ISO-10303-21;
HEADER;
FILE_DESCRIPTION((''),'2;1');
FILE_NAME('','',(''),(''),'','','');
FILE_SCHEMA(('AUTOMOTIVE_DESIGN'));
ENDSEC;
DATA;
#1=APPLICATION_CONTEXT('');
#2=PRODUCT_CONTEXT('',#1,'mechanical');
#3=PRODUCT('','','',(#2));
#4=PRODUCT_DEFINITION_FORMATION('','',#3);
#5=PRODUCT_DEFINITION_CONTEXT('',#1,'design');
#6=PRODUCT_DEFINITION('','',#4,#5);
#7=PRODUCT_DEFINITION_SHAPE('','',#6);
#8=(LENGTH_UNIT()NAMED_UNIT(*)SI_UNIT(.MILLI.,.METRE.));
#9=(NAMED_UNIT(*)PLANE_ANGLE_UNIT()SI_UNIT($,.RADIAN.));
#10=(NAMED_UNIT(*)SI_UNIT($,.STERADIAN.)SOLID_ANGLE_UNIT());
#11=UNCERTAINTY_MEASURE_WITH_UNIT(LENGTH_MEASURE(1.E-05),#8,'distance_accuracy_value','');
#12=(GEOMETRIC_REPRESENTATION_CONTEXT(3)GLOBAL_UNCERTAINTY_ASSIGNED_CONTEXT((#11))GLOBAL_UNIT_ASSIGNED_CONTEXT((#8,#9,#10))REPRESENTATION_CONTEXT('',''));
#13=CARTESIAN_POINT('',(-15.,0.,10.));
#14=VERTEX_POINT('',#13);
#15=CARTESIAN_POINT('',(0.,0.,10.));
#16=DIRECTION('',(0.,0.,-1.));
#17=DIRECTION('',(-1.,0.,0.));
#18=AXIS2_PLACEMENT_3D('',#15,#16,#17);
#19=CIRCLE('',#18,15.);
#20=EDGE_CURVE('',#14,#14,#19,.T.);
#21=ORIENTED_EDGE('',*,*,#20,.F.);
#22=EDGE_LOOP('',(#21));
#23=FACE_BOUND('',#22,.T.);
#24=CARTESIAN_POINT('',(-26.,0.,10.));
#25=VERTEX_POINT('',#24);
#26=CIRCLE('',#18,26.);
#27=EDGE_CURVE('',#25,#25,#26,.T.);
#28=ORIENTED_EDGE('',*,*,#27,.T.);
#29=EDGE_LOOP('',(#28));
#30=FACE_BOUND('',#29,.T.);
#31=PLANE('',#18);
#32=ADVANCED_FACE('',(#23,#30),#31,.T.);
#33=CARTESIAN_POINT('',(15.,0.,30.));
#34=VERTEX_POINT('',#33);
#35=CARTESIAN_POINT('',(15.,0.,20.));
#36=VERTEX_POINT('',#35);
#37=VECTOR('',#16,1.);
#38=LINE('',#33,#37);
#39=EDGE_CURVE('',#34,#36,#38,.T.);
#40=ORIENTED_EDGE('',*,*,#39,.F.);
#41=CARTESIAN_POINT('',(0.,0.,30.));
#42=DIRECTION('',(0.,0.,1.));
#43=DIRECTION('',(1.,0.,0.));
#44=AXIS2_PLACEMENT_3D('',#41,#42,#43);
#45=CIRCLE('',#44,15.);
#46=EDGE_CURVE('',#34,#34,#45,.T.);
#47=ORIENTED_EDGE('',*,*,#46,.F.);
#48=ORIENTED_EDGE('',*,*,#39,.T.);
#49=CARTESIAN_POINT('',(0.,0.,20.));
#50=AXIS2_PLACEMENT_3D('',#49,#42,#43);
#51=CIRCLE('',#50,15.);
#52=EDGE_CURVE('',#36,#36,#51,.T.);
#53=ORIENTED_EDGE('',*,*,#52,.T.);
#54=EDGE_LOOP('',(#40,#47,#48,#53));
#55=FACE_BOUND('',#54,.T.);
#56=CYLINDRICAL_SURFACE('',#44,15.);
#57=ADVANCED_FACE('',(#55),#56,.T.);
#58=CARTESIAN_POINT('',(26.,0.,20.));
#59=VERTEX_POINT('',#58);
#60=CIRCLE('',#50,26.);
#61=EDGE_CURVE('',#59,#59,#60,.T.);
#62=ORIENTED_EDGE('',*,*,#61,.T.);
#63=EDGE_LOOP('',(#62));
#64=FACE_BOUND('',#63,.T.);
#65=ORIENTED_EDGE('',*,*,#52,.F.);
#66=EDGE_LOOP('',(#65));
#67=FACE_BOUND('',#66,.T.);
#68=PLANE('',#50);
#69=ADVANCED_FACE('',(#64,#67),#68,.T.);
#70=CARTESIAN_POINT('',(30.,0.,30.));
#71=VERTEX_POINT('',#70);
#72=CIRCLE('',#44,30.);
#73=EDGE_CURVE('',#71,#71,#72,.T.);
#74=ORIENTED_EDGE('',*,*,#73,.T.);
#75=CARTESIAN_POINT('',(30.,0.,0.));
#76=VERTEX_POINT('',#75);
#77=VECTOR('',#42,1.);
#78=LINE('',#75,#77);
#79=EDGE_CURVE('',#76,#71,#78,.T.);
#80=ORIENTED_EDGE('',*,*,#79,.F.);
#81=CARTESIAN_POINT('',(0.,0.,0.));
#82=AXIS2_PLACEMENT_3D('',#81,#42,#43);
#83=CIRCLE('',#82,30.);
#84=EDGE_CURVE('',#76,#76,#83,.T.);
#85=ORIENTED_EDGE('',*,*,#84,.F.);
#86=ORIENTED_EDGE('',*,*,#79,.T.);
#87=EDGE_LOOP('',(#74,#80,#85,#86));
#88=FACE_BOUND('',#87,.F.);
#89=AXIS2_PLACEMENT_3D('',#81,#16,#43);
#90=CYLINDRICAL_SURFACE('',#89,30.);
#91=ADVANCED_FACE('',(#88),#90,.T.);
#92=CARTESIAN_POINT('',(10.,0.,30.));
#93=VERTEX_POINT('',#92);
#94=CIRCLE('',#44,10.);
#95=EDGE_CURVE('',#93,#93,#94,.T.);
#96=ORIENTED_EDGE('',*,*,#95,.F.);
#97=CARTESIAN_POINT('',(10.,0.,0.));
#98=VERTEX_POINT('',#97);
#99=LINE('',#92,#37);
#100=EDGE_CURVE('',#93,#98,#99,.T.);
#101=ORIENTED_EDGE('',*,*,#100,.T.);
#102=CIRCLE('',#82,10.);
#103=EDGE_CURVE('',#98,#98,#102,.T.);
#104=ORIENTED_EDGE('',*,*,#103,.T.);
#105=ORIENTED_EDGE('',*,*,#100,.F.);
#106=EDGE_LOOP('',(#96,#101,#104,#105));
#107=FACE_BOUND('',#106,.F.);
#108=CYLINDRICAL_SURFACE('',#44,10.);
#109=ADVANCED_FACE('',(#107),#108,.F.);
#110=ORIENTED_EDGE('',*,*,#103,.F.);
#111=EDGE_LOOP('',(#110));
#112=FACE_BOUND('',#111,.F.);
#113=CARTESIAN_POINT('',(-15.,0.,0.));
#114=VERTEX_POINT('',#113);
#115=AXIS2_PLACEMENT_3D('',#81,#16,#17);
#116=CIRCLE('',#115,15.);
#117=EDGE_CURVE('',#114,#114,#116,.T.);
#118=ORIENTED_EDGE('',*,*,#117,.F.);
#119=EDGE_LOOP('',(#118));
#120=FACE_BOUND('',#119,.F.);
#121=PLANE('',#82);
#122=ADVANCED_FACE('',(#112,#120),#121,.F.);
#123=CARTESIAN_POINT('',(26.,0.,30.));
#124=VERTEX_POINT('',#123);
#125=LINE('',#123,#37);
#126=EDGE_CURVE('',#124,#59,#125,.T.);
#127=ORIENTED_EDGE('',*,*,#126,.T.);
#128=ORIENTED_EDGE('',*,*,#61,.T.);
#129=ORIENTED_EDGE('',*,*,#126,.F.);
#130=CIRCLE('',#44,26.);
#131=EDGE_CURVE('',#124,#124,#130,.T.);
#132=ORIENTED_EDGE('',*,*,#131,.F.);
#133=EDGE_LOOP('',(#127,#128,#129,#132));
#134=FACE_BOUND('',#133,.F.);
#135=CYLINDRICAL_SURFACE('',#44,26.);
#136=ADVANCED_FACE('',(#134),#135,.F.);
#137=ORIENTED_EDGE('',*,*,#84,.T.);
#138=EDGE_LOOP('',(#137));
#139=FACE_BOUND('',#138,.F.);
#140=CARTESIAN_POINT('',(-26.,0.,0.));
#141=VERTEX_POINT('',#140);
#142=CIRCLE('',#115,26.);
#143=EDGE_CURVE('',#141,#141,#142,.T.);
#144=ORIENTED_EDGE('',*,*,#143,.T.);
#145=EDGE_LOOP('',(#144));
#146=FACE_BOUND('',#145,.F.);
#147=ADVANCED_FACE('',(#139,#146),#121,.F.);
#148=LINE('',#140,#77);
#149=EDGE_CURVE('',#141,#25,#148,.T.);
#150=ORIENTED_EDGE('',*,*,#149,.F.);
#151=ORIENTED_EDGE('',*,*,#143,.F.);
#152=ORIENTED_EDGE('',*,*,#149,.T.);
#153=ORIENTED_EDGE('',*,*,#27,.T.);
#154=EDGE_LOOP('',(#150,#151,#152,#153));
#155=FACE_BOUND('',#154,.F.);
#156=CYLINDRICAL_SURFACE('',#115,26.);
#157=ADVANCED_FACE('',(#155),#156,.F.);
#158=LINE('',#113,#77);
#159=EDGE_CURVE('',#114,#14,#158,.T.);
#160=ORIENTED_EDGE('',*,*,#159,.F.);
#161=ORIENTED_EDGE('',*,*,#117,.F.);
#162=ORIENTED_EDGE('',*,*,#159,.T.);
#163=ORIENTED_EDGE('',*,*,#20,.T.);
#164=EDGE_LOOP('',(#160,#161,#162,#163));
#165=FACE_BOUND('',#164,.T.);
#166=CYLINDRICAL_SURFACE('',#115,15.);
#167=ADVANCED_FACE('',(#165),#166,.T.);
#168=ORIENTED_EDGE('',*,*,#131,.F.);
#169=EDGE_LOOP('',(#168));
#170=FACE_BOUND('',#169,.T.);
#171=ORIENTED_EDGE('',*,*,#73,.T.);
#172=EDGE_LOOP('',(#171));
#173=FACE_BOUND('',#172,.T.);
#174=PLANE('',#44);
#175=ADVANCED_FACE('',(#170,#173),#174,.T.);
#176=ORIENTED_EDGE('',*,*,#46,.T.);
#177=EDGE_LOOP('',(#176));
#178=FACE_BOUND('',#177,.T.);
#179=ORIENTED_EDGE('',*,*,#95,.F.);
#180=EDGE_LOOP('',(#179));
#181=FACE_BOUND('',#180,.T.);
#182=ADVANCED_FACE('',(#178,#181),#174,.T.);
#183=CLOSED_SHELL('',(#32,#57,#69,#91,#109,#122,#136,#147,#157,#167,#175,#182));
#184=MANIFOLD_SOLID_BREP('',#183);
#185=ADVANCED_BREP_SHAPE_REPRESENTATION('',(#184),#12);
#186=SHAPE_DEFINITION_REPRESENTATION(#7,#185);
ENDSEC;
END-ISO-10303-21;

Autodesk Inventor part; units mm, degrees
ref_plane "YZ Plane" through (0, 0, 0) normal (1, 0, 0) x (0, 1, 0)
ref_plane "XZ Plane" through (0, 0, 0) normal (0, 1, 0) x (-1, 0, 0)
ref_plane "XY Plane" through (0, 0, 0) normal (0, 0, 1) x (1, 0, 0)
sketch "Sketch1" plane through (0, 0, 0) normal (0, 0, 1) x (1, 0, 0)
  circle A0 centre (0, 0) radius 30
  dimension "d0" = 60
extrude "Extrusion1" add sketch "Sketch1" along normal blind 30
sketch "Sketch2" plane through (0, 0, 30) normal (0, 0, 1) x (1, 0, 0)
  circle A0 centre (0, 0) radius 26
  circle A1 centre (0, 0) radius 15
  dimension "d3" = 52
  dimension "d4" = 30
extrude "Extrusion2" cut sketch "Sketch2" against normal blind 10
sketch "Sketch3" plane through (0, 0, 0) normal (0, 0, -1) x (-1, 0, 0)
  circle A0 centre (0, 0) radius 26
  circle A1 centre (0, 0) radius 15
  dimension "d7" = 52
  dimension "d8" = 30
extrude "Extrusion3" cut sketch "Sketch3" against normal blind 10
sketch "Sketch4" plane through (0, 0, 30) normal (0, 0, 1) x (1, 0, 0)
  circle A0 centre (0, 0) radius 10
  dimension "d11" = 20
extrude "Extrusion4" cut sketch "Sketch4" against normal blind 30
properties part number "kasnak"
